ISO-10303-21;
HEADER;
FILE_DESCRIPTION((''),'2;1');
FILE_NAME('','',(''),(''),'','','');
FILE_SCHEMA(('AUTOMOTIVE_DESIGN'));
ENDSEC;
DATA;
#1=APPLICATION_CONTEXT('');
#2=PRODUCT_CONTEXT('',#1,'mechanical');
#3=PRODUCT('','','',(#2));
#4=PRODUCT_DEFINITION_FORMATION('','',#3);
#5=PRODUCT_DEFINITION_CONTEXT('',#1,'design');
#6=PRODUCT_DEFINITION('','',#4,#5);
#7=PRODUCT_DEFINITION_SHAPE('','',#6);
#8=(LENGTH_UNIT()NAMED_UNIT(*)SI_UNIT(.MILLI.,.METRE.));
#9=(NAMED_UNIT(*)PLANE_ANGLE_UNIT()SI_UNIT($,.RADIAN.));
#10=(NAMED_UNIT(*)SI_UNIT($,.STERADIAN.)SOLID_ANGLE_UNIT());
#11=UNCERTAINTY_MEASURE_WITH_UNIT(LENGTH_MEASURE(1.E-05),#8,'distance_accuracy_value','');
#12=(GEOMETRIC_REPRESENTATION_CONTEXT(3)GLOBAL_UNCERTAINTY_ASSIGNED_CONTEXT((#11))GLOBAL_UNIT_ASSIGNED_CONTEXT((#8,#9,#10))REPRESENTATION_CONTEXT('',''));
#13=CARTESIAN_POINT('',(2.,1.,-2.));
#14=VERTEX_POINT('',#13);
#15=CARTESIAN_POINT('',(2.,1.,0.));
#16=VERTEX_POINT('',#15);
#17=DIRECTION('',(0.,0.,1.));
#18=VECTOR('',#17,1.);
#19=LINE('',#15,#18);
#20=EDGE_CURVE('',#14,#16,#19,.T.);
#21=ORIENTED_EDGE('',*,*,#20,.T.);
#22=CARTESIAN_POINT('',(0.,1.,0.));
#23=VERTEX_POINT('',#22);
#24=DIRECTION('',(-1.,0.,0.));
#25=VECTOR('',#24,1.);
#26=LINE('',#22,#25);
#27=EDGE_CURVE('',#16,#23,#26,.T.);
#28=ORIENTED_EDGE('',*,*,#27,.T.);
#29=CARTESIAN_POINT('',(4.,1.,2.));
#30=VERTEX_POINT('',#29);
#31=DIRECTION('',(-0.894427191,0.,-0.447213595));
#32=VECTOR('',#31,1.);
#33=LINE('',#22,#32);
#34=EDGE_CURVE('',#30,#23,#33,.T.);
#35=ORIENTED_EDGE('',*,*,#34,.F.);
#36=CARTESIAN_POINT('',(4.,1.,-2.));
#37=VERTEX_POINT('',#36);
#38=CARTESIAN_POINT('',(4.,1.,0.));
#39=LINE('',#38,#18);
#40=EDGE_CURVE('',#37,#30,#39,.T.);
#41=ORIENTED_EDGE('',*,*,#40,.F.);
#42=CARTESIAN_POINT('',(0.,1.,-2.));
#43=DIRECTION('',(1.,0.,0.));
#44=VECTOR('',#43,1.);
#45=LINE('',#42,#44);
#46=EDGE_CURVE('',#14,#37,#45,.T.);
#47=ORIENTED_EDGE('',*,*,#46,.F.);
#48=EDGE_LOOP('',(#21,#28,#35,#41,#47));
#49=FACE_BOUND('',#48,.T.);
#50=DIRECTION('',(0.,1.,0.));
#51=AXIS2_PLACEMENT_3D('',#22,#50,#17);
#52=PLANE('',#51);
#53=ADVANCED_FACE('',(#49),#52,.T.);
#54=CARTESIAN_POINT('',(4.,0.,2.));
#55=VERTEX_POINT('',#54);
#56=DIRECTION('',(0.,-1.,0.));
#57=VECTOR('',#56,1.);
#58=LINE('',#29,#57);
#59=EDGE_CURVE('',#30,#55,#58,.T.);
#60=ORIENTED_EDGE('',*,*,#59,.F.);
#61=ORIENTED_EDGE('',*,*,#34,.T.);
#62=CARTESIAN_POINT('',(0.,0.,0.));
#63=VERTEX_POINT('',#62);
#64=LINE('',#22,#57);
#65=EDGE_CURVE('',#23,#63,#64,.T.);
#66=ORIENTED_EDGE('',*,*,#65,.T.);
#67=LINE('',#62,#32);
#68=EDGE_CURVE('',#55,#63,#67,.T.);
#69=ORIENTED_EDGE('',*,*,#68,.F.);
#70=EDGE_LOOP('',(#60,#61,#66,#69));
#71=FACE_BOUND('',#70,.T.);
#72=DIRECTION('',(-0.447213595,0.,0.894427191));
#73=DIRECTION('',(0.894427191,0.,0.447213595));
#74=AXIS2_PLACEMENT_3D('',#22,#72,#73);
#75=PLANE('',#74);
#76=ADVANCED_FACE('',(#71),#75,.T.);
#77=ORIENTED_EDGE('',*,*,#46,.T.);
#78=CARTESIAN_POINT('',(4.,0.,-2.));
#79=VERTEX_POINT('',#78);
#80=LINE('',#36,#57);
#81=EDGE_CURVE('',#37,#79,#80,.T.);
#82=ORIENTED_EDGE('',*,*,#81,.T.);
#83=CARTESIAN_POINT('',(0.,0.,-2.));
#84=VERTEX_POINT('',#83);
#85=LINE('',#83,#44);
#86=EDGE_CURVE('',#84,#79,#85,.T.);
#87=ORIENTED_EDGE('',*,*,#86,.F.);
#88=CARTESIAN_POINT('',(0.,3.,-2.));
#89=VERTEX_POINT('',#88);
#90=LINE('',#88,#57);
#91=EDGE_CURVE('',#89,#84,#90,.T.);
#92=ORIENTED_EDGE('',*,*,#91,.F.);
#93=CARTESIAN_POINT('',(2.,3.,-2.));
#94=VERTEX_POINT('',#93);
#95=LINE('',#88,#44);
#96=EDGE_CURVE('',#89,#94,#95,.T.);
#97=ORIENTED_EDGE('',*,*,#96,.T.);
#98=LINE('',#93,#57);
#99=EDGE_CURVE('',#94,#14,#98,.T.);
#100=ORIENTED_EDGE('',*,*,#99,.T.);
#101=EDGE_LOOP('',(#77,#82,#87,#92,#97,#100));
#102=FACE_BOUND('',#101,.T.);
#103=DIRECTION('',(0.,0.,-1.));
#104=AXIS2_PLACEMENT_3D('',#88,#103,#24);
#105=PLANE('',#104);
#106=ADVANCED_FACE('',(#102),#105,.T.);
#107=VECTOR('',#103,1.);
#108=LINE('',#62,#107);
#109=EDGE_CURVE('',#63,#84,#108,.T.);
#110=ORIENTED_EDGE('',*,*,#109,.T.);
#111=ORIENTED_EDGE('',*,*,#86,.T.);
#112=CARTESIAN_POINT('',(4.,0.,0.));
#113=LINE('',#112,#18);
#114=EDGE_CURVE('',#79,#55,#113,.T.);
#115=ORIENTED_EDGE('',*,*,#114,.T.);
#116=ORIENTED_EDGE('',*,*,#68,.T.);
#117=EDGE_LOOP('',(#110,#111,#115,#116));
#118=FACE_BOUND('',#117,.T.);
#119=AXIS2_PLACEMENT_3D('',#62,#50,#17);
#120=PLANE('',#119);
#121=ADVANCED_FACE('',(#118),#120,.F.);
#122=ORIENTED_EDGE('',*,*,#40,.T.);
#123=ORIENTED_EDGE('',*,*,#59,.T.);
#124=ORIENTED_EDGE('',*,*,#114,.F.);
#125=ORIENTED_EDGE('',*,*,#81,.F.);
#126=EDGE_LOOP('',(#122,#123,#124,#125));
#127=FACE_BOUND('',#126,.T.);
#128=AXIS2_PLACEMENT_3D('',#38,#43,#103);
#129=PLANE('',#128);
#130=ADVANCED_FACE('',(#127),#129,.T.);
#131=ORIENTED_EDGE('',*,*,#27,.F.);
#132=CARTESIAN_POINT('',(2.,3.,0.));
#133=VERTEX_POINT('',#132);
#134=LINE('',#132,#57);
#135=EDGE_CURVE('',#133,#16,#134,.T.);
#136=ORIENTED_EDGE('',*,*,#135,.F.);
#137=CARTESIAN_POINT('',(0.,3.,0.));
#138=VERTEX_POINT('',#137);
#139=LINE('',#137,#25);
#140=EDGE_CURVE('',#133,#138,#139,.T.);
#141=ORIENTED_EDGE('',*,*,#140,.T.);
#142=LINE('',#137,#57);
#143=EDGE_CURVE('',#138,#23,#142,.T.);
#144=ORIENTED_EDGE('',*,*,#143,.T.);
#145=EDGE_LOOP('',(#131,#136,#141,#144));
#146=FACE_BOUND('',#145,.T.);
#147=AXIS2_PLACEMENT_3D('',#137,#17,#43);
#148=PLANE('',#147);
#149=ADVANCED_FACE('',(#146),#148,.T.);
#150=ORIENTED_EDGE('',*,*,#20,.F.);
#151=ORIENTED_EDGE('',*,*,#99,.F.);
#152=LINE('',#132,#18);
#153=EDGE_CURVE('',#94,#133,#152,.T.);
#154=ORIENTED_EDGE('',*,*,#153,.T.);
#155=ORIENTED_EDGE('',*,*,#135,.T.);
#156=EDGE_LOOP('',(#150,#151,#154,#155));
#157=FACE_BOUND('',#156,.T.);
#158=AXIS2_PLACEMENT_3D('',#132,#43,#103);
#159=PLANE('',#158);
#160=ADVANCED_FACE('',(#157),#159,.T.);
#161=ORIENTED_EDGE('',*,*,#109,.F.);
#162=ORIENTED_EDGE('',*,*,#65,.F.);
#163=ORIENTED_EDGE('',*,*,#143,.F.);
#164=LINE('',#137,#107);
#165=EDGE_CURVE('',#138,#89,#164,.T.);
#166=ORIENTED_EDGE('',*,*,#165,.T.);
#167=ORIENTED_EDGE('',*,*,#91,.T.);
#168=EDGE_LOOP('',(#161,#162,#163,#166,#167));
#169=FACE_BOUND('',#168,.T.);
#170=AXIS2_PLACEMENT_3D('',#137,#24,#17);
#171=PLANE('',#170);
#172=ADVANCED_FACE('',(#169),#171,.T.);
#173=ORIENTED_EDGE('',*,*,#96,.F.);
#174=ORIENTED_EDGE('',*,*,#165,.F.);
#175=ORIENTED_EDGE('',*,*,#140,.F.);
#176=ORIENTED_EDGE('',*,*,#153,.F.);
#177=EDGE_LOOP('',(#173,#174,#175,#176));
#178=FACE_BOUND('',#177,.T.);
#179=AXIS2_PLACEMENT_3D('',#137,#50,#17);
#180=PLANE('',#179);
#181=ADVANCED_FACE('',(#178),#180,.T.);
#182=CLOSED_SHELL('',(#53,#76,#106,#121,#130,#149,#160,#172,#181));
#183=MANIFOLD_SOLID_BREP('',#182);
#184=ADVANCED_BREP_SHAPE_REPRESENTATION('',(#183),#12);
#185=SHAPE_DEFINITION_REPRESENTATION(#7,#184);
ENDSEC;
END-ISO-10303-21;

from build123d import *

# Parameters (mm, degrees)
SKETCH_1_W      = 2
SKETCH_1_H      = 2
EXTRUDE_1_DEPTH = 3
EXTRUDE_2_DEPTH = 1


with BuildPart() as part:
    # 草圖1 → 填料-伸長1 (new body)
    with BuildSketch(Plane(origin=(0, 0, 0), x_dir=(1, 0, 0), z_dir=(0, 1, 0))):
        with Locations((1, 1)):
            Rectangle(SKETCH_1_W, SKETCH_1_H)
    extrude(amount=EXTRUDE_1_DEPTH)

    # 草圖1<3> → 填料-伸長2 (add)
    with BuildSketch(Plane(origin=(0, 0, 0), x_dir=(1, 0, 0), z_dir=(0, 1, 0))):
        Polygon((2, 0), (0, 0), (4, -2), (4, 2), (2, 2), align=None)
    extrude(amount=EXTRUDE_2_DEPTH)


solid = part.part
